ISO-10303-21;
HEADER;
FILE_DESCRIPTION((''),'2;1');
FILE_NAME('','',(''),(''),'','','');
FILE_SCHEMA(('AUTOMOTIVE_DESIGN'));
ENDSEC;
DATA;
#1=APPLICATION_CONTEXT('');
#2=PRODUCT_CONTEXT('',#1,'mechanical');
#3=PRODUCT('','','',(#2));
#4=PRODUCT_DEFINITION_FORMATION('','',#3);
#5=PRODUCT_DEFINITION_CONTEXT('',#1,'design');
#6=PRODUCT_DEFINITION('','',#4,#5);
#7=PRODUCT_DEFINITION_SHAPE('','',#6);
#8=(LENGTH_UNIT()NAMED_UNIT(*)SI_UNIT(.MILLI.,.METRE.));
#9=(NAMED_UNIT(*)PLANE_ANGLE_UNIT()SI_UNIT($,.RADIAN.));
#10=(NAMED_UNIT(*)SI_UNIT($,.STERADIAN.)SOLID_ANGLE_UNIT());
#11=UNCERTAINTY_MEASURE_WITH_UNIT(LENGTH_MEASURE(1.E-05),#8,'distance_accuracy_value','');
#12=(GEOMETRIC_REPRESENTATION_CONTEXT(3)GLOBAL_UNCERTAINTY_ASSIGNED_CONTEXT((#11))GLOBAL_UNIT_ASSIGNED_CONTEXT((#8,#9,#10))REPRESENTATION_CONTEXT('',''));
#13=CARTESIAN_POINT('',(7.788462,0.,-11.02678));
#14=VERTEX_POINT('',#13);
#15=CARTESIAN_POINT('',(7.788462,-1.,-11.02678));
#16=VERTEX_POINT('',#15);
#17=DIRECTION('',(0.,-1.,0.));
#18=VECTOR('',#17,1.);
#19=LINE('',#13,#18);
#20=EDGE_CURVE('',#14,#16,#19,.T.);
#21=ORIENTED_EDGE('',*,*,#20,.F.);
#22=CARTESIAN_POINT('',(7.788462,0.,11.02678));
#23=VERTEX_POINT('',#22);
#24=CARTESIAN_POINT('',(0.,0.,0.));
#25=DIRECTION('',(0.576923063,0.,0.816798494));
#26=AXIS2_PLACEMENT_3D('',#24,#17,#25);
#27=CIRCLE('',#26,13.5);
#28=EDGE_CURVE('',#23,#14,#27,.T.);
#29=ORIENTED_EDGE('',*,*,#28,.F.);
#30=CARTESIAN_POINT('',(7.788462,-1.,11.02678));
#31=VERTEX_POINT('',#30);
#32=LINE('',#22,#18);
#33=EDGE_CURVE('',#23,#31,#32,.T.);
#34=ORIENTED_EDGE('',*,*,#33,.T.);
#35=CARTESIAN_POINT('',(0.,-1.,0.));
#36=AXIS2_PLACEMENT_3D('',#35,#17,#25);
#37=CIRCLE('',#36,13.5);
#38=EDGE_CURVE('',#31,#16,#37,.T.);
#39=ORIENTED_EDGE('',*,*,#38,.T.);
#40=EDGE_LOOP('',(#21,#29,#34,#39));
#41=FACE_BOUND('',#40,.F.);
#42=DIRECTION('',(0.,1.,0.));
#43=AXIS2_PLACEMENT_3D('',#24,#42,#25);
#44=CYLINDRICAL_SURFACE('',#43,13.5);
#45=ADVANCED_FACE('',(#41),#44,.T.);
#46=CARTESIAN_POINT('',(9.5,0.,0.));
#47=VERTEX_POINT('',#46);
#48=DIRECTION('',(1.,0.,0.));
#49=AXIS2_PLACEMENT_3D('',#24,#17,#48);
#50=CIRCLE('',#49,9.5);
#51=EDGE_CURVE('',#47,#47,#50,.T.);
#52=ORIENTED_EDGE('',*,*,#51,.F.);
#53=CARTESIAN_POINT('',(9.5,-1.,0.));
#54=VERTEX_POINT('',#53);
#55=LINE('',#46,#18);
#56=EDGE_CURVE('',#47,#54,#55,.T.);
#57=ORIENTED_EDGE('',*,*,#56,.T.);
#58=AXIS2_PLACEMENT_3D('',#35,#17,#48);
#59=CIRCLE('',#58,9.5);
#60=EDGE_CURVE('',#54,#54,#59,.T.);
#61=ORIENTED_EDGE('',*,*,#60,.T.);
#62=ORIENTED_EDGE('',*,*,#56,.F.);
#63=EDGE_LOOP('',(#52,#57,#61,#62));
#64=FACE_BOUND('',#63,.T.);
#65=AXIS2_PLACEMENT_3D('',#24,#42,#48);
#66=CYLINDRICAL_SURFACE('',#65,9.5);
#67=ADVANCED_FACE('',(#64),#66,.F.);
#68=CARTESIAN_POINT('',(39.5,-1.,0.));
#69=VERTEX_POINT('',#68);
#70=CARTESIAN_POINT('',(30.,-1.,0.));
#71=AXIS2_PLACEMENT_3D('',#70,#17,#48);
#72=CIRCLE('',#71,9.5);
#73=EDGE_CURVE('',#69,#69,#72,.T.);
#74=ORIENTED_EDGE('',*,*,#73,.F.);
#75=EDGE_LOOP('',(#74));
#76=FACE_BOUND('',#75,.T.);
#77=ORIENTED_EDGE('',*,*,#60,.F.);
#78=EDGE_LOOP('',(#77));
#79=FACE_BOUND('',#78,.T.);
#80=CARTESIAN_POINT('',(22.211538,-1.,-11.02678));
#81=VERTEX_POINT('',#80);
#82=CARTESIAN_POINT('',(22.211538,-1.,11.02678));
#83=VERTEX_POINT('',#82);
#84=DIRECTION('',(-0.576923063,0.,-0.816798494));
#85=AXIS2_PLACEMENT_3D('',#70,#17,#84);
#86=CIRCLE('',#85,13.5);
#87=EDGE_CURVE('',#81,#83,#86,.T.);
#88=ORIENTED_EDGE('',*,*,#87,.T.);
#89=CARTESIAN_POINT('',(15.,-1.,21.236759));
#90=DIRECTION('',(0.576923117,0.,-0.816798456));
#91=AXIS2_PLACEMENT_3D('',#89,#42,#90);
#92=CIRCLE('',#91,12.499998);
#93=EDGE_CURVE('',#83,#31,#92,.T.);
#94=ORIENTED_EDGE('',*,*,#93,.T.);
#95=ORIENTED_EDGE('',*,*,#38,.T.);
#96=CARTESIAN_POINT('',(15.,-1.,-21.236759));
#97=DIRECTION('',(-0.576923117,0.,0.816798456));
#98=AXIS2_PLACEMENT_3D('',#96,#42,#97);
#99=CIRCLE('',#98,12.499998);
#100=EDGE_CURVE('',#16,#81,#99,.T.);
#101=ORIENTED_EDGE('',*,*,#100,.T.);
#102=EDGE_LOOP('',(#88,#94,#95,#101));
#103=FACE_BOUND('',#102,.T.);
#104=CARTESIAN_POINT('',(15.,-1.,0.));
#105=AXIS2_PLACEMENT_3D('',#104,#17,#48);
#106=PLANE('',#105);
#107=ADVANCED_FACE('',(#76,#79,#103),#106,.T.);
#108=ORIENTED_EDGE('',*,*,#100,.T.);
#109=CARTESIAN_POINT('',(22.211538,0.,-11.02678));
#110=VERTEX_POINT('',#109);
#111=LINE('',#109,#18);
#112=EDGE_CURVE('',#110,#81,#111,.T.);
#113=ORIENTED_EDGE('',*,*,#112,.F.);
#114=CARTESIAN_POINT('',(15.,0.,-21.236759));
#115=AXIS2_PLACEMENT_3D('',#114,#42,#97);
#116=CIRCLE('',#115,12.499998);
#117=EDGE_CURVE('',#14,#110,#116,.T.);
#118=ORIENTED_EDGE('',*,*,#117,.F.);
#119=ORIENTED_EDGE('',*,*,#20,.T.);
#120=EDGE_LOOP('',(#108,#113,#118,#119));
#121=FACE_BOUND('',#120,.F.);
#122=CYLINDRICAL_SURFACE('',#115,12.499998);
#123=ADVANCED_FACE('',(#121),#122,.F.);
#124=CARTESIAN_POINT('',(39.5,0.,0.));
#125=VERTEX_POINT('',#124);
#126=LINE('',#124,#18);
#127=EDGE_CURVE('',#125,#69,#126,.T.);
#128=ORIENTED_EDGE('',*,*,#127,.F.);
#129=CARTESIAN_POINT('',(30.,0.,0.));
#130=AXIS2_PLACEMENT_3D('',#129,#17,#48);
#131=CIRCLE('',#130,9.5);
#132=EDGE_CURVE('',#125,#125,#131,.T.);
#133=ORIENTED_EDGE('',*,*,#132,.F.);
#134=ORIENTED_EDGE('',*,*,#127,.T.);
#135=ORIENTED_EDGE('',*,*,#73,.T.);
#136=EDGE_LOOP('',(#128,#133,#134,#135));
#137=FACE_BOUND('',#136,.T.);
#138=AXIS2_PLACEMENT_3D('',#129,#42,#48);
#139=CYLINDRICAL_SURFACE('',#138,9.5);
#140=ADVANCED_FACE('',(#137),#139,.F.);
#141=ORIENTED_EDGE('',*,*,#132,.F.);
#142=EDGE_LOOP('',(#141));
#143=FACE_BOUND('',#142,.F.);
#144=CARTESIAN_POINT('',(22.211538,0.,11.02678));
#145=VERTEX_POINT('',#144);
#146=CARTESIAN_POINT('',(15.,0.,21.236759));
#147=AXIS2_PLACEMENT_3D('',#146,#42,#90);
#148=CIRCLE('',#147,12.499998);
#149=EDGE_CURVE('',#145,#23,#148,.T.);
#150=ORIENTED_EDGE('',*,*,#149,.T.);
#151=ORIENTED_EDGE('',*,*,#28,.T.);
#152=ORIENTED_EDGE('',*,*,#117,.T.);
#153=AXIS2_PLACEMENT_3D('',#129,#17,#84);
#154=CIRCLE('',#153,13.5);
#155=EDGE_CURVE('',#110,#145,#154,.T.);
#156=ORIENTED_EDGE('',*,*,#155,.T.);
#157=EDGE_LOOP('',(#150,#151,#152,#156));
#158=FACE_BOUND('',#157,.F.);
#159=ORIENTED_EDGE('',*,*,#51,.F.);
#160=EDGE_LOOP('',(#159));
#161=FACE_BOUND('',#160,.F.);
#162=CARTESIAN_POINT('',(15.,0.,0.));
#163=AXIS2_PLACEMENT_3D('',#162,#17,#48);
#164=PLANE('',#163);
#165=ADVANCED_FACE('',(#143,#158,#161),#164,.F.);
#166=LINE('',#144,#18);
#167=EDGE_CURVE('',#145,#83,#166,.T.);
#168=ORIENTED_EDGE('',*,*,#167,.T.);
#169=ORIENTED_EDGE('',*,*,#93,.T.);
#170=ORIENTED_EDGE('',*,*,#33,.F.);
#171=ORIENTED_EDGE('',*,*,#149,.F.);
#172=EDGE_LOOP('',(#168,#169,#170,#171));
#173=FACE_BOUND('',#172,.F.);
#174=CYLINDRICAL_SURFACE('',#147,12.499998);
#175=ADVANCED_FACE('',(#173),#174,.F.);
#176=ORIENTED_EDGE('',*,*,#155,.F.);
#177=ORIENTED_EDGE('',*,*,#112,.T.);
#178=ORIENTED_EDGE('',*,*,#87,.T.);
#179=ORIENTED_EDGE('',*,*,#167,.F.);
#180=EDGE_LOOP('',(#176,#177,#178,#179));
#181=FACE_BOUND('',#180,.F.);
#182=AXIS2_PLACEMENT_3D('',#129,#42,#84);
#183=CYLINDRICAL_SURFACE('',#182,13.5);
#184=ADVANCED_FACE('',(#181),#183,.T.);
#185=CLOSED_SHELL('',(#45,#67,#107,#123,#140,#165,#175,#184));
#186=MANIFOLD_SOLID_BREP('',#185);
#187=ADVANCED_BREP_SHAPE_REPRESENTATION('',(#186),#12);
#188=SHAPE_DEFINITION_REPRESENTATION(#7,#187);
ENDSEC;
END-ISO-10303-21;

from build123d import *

# Parameters (mm, degrees)
F0_R     = 9.5
F1_DEPTH = 1


with BuildPart() as f1:
    # F0 (on Front) → F1 (new body)
    with BuildSketch(Plane.XZ):
        with BuildLine():
            ThreePointArc((22.211538, 11.02678), (15, 8.736761), (7.788462, 11.02678))
            ThreePointArc((7.788462, 11.02678), (-13.5, 0), (7.788462, -11.02678))
            ThreePointArc((7.788462, -11.02678), (15, -8.736761), (22.211538, -11.02678))
            ThreePointArc((22.211538, -11.02678), (43.5, 0), (22.211538, 11.02678))
        make_face()
        Circle(F0_R, mode=Mode.SUBTRACT)
        with Locations((30, 0)):
            Circle(F0_R, mode=Mode.SUBTRACT)
    extrude(amount=F1_DEPTH)


solid = f1.part
